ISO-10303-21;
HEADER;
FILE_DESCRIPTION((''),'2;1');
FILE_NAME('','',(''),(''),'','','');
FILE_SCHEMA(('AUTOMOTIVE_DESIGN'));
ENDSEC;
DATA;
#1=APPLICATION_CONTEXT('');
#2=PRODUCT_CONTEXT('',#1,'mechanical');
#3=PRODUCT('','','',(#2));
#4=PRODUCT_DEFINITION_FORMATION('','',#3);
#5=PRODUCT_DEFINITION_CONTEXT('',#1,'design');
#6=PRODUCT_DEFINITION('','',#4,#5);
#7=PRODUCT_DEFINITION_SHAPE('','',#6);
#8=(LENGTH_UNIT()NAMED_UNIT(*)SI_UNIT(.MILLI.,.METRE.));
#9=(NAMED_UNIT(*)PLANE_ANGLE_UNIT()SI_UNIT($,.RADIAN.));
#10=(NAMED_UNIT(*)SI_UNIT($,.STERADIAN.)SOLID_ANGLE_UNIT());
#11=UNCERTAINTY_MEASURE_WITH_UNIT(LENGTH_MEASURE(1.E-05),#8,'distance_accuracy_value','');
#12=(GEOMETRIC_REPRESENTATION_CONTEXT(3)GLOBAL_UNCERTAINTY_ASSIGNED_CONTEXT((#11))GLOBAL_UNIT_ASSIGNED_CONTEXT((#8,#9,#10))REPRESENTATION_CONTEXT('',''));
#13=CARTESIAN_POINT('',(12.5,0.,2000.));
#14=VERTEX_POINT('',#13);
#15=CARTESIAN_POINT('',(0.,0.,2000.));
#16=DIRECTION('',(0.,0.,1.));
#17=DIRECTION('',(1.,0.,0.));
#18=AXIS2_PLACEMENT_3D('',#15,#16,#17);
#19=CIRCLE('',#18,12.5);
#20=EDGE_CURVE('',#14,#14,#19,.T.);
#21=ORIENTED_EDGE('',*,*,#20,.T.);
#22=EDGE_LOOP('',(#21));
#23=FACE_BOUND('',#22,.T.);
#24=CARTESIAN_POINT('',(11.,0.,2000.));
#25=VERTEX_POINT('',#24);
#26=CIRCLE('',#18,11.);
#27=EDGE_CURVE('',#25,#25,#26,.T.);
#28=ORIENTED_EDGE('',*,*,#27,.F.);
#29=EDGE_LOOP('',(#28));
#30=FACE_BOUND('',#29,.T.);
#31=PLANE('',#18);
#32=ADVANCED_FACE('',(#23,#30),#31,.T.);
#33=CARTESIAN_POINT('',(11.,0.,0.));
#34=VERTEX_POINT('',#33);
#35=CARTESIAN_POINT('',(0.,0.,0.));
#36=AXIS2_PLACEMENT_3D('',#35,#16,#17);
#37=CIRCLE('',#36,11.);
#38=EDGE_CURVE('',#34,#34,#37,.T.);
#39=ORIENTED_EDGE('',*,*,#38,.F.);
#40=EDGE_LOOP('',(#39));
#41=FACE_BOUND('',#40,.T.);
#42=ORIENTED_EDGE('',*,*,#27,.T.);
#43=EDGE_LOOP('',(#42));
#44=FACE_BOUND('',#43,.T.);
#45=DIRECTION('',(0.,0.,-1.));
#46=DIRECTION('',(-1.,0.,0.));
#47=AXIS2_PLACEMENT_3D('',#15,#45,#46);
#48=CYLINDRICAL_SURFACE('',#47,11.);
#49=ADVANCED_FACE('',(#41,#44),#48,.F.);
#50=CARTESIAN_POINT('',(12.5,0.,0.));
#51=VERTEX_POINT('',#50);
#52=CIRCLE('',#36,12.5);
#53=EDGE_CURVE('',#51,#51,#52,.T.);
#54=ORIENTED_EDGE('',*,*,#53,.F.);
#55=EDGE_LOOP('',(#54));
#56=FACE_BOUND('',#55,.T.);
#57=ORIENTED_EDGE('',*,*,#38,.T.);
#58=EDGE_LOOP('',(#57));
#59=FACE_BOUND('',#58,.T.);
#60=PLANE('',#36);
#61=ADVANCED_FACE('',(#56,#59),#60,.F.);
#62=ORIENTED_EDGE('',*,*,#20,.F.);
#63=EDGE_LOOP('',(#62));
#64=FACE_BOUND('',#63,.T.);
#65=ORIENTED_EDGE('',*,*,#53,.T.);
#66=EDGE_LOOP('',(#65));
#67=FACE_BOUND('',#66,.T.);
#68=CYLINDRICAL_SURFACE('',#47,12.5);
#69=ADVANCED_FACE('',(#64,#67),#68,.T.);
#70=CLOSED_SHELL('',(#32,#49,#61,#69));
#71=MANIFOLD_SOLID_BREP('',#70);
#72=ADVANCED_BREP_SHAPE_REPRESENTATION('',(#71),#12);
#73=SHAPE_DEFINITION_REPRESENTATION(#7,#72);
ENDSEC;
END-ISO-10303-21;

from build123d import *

# Parameters (mm, degrees)
SKETCH1_R           = 12.5
SKETCH1_R_2         = 11
BOSS_EXTRUDE1_DEPTH = 2000


with BuildPart() as part:
    # Sketch1 → Boss-Extrude1 (new body)
    with BuildSketch(Plane.XY):
        Circle(SKETCH1_R)
        Circle(SKETCH1_R_2, mode=Mode.SUBTRACT)
    extrude(amount=BOSS_EXTRUDE1_DEPTH)


solid = part.part
